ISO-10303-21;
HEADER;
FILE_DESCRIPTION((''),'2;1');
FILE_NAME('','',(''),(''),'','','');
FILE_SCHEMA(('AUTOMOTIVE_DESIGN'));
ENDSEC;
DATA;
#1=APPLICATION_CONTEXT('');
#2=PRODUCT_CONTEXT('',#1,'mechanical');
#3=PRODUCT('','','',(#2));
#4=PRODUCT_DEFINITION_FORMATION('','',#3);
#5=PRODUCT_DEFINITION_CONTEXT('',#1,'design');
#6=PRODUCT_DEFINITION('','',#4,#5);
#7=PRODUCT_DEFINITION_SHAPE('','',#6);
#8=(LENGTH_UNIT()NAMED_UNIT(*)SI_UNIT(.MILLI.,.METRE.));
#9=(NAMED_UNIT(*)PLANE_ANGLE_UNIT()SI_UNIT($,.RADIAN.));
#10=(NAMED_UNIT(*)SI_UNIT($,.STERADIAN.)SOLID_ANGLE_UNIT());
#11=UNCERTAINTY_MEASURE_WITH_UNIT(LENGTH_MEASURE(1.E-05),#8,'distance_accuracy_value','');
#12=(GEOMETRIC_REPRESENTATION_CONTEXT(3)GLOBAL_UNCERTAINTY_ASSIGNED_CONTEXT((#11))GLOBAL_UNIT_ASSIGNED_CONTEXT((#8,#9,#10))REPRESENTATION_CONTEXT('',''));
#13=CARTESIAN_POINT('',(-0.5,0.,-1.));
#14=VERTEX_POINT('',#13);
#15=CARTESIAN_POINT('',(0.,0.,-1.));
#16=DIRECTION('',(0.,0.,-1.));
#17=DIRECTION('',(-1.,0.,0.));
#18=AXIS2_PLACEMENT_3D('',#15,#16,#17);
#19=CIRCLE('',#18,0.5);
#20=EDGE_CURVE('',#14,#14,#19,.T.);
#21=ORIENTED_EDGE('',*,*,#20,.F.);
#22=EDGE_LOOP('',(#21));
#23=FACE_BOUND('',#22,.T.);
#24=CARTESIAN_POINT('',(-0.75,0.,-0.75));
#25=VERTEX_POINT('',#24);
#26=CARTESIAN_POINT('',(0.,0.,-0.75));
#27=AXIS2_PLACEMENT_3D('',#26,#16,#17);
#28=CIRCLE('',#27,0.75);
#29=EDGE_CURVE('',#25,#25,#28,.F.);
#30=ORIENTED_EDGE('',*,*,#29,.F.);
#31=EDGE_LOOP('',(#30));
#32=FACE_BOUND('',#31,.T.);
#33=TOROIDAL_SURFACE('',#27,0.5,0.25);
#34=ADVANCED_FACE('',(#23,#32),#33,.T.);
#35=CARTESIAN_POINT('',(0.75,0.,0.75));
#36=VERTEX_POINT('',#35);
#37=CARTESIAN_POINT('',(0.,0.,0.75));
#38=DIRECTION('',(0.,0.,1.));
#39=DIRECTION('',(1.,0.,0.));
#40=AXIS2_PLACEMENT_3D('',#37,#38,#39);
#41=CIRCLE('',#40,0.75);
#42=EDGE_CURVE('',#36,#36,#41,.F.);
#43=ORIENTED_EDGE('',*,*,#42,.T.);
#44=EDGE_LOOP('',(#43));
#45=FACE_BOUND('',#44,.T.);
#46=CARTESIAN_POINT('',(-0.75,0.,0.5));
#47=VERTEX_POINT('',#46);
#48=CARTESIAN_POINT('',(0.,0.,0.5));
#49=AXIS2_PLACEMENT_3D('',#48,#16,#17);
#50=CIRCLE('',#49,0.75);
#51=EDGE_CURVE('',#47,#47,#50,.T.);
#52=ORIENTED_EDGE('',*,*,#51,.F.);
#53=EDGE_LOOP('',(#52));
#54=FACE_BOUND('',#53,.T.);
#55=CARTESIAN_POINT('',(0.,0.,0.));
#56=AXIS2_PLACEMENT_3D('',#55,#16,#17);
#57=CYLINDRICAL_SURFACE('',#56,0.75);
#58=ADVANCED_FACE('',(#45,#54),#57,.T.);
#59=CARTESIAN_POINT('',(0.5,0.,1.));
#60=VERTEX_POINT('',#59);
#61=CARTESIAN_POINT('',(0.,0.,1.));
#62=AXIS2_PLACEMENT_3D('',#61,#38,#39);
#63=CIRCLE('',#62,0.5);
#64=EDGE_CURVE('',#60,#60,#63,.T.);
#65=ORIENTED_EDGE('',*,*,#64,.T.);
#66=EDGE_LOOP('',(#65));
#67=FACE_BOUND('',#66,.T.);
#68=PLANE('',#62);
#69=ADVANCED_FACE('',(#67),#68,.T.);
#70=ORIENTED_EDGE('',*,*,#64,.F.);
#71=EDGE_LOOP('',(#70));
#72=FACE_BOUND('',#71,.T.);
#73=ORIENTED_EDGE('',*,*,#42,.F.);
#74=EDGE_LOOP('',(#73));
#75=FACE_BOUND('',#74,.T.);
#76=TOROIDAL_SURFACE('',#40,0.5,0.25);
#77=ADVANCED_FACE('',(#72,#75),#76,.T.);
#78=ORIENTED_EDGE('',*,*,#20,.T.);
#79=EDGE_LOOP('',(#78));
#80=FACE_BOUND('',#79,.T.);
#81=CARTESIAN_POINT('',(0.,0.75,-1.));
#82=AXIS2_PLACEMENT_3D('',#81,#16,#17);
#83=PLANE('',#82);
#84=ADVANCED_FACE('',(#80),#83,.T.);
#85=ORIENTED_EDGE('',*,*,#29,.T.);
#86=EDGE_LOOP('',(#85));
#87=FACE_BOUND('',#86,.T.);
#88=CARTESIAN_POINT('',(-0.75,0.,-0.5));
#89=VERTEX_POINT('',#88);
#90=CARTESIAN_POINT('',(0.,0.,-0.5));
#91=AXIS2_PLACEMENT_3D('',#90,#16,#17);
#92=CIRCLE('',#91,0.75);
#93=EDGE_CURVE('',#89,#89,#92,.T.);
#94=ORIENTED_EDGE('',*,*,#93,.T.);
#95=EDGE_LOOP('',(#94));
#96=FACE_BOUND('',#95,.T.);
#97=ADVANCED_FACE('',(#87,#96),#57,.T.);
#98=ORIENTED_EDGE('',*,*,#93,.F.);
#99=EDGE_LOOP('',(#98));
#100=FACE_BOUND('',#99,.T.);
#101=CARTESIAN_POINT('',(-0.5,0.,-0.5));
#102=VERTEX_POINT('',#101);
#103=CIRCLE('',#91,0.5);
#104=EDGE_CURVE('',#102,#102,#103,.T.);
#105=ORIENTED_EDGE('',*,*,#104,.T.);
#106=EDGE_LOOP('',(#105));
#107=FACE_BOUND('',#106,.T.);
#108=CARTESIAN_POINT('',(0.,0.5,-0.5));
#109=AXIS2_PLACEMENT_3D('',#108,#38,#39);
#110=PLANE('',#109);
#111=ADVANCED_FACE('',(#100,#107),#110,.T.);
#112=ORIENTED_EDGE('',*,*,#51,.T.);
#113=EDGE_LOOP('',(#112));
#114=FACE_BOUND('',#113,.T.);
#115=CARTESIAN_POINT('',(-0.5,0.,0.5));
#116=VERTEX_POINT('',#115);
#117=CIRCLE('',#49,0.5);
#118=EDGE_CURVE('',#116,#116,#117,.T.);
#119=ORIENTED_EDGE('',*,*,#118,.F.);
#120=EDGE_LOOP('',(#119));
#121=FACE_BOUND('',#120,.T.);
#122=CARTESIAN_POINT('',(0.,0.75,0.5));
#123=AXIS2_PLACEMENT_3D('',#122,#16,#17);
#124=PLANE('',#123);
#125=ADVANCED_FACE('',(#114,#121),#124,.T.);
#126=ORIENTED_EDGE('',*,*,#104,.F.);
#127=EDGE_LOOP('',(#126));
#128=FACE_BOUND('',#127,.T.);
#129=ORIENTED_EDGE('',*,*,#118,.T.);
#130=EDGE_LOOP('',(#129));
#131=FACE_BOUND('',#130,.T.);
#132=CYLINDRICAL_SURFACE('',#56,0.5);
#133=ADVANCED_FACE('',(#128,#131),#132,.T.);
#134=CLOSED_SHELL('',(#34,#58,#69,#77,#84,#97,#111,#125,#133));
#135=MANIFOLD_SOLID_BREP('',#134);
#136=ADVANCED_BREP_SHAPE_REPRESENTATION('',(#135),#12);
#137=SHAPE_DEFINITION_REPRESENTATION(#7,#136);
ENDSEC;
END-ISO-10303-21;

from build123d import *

# Parameters (mm, degrees)
FILLET1_R = 0.25


with BuildPart() as part:
    # Sketch1 → Revolve1 (revolve)
    with BuildSketch(Plane(origin=(0, 0, 0), x_dir=(0, 0, -1), z_dir=(1, 0, 0)), mode=Mode.PRIVATE) as revolve1_sk:
        Polygon((1, 0), (-1, 0), (-1, 0.75), (-0.5, 0.75), (-0.5, 0.5), (0.5, 0.5), (0.5, 0.75), (1, 0.75), align=None)
    revolve(revolve1_sk.sketch.rotate(Axis((0, 0, 0), (0, 0, 1)), 90), axis=Axis((0, 0, 0), (0, 0, 1)))

    # Fillet1
    fillet1_edges = [part.edges().sort_by_distance(p)[0] for p in [
        (0.75, 0, 1),
        (0.75, 0, -1),
    ]]
    fillet(fillet1_edges, radius=FILLET1_R)


solid = part.part
